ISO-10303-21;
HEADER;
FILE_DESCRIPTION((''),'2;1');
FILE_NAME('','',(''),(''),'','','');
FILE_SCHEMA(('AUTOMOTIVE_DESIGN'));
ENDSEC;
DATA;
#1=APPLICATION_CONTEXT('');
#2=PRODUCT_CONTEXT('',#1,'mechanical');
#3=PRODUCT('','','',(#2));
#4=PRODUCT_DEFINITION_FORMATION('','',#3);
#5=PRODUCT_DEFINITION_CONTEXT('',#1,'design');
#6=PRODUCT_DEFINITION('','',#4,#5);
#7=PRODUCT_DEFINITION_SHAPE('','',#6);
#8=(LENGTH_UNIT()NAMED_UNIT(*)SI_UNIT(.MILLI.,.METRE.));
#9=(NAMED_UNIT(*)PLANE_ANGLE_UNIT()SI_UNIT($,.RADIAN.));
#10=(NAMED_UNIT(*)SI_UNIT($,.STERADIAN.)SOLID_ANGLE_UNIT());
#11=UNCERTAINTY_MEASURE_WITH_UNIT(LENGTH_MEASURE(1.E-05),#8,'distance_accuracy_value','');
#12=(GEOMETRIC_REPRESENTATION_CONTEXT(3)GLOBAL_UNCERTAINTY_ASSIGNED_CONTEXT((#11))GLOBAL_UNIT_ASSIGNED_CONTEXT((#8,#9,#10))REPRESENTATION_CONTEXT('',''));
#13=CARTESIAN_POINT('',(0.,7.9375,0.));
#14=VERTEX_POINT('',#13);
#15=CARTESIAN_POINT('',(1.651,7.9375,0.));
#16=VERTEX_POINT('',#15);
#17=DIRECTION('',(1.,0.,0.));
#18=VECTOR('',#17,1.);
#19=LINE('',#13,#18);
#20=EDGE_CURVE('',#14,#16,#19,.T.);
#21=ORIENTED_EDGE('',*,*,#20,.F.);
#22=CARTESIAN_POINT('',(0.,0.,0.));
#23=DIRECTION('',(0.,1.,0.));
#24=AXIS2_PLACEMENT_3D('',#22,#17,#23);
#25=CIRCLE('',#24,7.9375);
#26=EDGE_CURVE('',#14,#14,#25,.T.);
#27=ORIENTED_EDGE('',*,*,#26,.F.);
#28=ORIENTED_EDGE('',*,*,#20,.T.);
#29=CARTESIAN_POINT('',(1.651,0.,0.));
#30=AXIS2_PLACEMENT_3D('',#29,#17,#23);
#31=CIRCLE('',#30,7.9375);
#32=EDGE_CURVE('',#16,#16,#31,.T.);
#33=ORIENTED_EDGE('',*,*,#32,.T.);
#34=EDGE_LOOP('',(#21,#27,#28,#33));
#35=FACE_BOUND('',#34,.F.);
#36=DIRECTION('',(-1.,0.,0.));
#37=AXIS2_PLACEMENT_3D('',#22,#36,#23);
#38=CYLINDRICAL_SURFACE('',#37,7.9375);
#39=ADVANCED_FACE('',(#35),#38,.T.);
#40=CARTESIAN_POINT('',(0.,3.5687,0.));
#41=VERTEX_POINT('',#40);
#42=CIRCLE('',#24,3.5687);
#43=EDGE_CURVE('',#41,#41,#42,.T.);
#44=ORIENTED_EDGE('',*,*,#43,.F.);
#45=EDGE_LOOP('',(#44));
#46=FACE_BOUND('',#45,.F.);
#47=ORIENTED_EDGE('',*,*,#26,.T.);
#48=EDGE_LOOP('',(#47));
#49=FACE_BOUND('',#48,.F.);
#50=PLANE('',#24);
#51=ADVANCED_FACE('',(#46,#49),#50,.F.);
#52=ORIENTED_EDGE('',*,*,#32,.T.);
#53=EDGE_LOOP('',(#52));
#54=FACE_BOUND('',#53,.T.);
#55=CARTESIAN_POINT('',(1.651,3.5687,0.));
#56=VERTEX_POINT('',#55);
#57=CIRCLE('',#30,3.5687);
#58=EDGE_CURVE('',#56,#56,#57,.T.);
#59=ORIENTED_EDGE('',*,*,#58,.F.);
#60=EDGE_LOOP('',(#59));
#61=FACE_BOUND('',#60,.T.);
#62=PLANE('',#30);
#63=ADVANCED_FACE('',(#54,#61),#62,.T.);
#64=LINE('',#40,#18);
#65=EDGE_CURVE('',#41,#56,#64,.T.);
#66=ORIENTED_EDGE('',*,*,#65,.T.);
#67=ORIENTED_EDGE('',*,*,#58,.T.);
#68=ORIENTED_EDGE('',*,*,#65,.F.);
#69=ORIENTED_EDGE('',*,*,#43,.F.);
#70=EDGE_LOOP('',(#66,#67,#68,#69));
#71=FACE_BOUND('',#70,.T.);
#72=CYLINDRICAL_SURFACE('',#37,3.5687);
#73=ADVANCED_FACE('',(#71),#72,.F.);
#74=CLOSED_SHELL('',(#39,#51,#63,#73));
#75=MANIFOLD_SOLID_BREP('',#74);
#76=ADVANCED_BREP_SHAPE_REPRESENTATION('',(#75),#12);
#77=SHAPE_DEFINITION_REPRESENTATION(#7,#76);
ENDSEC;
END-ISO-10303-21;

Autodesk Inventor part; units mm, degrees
ref_plane "YZ Plane" through (0, 0, 0) normal (1, 0, 0) x (0, 1, 0)
ref_plane "XZ Plane" through (0, 0, 0) normal (0, 1, 0) x (-1, 0, 0)
sketch "Sketch" plane through (0, 0, 0) normal (1, 0, 0) x (0, 1, 0)
  circle A0 centre (0, 0) radius 7.9375
  circle A1 centre (0, 0) radius 3.5687
  dimension "d0" = 7.1374
  dimension "d1" = 15.875
extrude "Body" add sketch "Sketch" along normal blind 1.651
ref_plane "Work Plane1" through (0, 0, 0) normal (0, 0, 1) x (1, 0, 0)
equation "\"d0\" = SD1"
equation "\"d1\" = SD2"
equation "\"d2\" = SD"
equation "\"SD1\" = 7.1374"
equation "\"SD2\" = 15.875"
equation "\"SD\" = 1.651"
equation "\"NND\" = 6.35"
properties part number "ANSI B18.22.1 - 1/4 - narrow - Type A" material "Steel, Mild"
